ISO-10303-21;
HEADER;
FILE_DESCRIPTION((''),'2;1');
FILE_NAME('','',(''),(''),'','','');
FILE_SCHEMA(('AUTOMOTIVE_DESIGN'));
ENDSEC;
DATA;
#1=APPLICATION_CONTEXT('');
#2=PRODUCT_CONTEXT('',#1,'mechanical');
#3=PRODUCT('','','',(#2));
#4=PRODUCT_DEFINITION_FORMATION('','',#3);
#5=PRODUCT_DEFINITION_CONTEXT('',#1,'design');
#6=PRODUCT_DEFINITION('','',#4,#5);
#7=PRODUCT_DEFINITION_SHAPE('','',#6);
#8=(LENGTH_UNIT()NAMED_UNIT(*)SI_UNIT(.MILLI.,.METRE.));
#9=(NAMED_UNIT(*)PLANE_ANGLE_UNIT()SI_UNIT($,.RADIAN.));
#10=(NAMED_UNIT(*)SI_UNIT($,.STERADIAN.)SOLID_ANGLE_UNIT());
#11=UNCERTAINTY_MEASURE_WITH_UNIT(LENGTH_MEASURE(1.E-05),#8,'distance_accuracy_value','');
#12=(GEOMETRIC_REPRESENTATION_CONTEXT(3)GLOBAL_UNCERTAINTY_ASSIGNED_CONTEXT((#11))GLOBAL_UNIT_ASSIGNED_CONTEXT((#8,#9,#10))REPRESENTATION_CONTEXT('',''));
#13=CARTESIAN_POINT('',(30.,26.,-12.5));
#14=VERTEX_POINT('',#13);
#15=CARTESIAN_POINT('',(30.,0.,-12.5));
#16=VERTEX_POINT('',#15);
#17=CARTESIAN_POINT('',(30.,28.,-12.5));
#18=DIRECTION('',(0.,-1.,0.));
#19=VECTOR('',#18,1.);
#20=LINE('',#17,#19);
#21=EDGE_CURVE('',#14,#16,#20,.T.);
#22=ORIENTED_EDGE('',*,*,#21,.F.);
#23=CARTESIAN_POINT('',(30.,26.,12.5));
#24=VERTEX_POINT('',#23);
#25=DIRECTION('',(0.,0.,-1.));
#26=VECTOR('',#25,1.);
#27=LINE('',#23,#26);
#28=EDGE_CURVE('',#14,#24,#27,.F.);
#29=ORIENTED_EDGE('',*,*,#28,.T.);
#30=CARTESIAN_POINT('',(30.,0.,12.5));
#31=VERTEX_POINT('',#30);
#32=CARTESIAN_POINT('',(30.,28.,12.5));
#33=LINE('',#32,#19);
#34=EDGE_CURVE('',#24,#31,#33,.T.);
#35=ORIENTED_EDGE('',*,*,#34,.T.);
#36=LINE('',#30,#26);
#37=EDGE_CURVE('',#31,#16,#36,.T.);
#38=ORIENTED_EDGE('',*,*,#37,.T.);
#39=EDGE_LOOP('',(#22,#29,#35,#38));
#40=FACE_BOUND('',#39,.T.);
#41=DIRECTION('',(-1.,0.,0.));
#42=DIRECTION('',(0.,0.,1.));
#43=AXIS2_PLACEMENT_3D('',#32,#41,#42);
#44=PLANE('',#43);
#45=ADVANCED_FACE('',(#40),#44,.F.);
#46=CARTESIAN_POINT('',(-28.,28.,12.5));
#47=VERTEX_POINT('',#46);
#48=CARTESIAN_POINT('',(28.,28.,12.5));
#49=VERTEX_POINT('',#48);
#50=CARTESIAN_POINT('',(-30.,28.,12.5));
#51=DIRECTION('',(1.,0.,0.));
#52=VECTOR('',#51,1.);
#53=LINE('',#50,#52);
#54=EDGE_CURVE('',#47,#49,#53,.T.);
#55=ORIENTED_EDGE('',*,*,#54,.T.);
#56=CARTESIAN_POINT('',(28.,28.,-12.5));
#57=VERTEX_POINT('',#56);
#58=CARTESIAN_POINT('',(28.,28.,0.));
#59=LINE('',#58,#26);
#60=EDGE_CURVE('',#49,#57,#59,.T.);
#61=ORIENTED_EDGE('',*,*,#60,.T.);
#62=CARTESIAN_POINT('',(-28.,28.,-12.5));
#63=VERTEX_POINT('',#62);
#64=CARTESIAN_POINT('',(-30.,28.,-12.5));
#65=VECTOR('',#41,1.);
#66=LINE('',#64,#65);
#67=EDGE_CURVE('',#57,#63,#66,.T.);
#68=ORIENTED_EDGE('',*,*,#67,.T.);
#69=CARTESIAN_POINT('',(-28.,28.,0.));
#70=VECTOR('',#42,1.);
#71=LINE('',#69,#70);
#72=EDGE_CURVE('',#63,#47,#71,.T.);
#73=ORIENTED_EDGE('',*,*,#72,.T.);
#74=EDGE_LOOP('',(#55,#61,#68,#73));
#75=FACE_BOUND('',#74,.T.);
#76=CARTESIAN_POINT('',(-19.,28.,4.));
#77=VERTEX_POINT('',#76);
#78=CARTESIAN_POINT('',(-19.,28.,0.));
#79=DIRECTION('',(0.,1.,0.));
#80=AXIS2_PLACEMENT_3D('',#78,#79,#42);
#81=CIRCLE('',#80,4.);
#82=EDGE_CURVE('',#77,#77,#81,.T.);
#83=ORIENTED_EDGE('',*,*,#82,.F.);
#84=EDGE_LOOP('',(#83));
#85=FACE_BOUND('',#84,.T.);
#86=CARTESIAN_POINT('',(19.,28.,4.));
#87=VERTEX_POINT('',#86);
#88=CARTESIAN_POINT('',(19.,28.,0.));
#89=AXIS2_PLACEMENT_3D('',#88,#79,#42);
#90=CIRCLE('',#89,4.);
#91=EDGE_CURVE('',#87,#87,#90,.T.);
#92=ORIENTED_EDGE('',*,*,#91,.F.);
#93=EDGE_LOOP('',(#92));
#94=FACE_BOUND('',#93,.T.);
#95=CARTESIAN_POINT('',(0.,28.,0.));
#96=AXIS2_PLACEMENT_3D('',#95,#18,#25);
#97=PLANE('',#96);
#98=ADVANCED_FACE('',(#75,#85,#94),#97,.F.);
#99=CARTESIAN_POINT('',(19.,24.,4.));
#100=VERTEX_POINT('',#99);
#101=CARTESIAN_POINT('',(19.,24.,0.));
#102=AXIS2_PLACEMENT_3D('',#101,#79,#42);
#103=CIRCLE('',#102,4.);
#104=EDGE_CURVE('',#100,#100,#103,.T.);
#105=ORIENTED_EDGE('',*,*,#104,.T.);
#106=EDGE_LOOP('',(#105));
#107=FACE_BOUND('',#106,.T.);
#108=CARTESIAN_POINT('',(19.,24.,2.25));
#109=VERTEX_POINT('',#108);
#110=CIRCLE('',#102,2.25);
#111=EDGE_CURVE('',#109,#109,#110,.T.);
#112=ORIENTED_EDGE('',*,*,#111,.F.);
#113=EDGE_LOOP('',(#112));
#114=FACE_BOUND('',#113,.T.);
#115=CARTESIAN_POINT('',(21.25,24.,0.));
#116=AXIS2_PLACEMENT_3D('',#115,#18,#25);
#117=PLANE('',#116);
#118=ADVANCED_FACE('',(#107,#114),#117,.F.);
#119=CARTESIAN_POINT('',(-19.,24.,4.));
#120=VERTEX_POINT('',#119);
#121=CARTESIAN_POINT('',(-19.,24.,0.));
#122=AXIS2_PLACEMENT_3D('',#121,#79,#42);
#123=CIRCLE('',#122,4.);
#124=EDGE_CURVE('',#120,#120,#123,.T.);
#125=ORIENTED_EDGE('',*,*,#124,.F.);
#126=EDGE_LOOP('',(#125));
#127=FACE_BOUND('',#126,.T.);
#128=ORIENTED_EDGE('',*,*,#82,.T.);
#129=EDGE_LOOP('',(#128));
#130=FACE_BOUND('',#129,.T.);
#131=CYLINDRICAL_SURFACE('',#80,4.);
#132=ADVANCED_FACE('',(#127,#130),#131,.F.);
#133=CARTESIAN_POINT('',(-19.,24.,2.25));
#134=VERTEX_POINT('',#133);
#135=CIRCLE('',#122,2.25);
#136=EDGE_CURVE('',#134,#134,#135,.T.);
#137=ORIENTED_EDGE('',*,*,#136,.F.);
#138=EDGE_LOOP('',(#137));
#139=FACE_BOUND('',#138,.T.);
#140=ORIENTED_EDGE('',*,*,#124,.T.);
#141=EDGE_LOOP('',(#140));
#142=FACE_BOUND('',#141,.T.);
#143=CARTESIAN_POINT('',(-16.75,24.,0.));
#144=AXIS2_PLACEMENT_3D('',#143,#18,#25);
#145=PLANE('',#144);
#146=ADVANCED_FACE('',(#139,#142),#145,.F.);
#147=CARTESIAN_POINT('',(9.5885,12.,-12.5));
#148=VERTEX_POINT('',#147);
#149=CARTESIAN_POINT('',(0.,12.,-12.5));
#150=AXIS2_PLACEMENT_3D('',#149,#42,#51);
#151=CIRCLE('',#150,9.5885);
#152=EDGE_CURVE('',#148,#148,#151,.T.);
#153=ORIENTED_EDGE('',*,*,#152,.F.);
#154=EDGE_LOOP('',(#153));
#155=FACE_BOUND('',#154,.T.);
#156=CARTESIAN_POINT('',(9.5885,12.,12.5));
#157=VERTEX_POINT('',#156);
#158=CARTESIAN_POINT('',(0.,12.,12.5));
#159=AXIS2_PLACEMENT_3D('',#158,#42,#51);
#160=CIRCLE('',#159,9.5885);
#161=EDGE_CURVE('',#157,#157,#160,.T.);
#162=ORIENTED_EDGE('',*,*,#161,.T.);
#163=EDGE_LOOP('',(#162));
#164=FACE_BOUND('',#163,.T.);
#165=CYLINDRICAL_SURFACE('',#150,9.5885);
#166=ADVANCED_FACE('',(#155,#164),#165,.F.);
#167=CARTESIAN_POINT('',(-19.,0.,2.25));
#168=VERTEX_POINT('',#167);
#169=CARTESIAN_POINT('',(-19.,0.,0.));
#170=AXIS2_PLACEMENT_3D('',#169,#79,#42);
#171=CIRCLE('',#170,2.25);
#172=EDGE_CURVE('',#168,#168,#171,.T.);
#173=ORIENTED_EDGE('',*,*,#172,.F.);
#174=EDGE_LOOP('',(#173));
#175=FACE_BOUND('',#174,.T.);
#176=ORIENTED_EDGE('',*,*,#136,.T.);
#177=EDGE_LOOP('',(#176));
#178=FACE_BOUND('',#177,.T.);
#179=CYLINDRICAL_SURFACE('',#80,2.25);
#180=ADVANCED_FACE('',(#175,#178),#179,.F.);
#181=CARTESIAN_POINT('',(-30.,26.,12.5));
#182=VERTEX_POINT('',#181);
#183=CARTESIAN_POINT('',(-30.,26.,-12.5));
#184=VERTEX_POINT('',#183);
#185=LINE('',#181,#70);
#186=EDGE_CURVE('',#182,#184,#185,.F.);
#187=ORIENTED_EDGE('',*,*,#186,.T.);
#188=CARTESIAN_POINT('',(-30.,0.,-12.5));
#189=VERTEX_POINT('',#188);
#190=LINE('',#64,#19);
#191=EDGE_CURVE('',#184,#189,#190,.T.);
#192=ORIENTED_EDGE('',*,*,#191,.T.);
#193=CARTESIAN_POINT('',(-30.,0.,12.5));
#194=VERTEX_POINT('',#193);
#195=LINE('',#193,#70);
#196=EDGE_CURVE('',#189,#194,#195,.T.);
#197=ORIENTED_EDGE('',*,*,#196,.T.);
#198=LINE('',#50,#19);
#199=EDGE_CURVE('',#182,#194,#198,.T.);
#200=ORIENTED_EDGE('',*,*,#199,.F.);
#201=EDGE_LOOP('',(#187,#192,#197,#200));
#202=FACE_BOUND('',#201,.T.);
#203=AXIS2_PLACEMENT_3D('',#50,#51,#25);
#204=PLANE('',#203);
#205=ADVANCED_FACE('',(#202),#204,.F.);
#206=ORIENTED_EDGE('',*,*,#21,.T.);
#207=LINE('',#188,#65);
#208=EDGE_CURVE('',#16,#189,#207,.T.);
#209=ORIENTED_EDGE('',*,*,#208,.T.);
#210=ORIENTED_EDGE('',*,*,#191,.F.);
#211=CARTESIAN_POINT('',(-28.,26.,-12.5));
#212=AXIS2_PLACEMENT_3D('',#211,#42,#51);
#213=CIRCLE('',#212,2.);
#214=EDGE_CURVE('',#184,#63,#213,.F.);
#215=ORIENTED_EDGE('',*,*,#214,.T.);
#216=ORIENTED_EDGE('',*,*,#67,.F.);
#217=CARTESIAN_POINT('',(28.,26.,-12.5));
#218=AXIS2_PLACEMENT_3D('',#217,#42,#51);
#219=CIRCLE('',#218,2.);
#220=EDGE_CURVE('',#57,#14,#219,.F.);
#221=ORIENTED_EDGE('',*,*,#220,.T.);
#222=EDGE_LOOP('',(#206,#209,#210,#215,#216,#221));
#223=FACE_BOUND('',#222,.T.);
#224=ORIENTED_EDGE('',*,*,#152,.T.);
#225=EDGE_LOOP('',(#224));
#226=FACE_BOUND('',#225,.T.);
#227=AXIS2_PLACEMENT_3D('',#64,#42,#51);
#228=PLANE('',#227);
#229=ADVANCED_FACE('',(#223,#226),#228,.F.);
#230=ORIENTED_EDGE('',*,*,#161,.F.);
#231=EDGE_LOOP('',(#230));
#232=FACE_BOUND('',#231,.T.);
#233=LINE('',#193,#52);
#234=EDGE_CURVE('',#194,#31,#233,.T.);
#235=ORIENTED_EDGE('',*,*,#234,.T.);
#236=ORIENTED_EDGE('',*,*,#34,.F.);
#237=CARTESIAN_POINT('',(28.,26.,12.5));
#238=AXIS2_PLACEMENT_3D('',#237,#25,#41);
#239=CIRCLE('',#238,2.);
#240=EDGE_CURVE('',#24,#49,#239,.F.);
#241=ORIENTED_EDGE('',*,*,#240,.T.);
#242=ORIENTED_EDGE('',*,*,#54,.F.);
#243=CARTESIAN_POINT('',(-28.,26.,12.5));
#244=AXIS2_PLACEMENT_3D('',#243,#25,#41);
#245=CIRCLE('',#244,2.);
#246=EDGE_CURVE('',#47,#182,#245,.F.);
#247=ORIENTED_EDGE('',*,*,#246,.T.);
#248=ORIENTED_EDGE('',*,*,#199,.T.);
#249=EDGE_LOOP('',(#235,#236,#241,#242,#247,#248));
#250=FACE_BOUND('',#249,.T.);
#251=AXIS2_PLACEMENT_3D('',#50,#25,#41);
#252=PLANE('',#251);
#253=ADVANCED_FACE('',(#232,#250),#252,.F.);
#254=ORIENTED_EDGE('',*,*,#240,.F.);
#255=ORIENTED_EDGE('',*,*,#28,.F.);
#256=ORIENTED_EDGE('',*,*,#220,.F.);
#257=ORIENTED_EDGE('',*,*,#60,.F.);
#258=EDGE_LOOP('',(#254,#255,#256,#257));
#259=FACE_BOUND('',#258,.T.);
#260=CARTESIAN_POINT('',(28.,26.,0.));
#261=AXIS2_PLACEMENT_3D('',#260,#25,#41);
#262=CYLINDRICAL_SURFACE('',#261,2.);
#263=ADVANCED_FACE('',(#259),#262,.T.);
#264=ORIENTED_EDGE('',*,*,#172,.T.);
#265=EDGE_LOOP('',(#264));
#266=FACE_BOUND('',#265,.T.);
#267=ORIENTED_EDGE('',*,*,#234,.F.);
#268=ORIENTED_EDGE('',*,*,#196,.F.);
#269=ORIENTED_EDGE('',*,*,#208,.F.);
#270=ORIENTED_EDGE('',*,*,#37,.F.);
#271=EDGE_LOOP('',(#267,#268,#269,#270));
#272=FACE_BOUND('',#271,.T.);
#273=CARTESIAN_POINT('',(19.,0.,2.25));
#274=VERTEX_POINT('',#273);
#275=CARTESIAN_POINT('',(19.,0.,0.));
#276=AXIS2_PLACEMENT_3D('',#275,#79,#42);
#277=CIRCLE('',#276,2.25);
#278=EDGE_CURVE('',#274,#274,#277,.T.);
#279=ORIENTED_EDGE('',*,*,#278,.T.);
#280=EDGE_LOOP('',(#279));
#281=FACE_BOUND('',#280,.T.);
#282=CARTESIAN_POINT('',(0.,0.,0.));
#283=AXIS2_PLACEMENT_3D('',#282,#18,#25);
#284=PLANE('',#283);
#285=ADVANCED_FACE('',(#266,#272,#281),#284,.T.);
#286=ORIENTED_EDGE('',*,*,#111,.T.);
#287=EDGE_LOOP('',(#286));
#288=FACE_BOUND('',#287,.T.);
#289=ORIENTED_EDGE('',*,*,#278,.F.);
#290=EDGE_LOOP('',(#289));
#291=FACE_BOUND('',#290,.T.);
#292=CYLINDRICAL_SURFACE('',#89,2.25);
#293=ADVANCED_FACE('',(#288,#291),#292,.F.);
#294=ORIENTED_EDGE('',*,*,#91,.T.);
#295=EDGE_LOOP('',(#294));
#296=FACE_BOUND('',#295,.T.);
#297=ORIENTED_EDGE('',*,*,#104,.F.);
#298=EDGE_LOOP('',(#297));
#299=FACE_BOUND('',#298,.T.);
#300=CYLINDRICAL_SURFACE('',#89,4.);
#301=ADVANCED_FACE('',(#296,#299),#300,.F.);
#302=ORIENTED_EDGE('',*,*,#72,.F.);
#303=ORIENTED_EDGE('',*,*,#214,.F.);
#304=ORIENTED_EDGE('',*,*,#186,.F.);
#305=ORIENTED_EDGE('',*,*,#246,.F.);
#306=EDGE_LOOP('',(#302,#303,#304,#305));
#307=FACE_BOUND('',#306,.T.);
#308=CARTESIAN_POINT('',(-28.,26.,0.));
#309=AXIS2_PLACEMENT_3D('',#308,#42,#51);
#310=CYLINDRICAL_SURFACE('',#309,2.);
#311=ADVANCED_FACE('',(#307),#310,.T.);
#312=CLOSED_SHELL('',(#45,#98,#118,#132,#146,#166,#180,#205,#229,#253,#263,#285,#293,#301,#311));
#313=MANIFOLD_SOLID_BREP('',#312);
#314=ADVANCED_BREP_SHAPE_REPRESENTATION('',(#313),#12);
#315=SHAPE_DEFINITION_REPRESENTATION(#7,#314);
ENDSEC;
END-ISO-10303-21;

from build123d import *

# Parameters (mm, degrees)
SKETCH1_W                      = 60
SKETCH1_H                      = 25
BOSS_EXTRUDE1_DEPTH            = 28
SKETCH2_R                      = 9.5885
CUT_EXTRUDE1_DEPTH             = 26
CBORE_FOR_M4_SHCS1_D           = 4.5
CBORE_FOR_M4_SHCS1_CBORE_D     = 8
CBORE_FOR_M4_SHCS1_CBORE_DEPTH = 4
FILLET1_R                      = 2


with BuildPart() as part:
    # Sketch1 → Boss-Extrude1 (new body)
    with BuildSketch(Plane(origin=(0, 0, 0), x_dir=(1, 0, 0), z_dir=(0, 1, 0))):
        Rectangle(SKETCH1_W, SKETCH1_H)
    extrude(amount=BOSS_EXTRUDE1_DEPTH)

    # Sketch2 → Cut-Extrude1 (cut, through all)
    with BuildSketch(Plane.XY.offset(12.5)):
        with Locations((0, 12)):
            Circle(SKETCH2_R)
    extrude(amount=-CUT_EXTRUDE1_DEPTH, mode=Mode.SUBTRACT)

    # CBORE for M4 SHCS1 (through all)
    with Locations(Plane(origin=(0, 28, 0), x_dir=(1, 0, 0), z_dir=(0, 1, 0))):
        with Locations((-19, 0), (19, 0)):
            CounterBoreHole(CBORE_FOR_M4_SHCS1_D / 2, CBORE_FOR_M4_SHCS1_CBORE_D / 2, CBORE_FOR_M4_SHCS1_CBORE_DEPTH)

    # Fillet1
    fillet1_edges = [part.edges().sort_by_distance(p)[0] for p in [
        (-30, 28, 0),
        (30, 28, 0),
    ]]
    fillet(fillet1_edges, radius=FILLET1_R)


solid = part.part
